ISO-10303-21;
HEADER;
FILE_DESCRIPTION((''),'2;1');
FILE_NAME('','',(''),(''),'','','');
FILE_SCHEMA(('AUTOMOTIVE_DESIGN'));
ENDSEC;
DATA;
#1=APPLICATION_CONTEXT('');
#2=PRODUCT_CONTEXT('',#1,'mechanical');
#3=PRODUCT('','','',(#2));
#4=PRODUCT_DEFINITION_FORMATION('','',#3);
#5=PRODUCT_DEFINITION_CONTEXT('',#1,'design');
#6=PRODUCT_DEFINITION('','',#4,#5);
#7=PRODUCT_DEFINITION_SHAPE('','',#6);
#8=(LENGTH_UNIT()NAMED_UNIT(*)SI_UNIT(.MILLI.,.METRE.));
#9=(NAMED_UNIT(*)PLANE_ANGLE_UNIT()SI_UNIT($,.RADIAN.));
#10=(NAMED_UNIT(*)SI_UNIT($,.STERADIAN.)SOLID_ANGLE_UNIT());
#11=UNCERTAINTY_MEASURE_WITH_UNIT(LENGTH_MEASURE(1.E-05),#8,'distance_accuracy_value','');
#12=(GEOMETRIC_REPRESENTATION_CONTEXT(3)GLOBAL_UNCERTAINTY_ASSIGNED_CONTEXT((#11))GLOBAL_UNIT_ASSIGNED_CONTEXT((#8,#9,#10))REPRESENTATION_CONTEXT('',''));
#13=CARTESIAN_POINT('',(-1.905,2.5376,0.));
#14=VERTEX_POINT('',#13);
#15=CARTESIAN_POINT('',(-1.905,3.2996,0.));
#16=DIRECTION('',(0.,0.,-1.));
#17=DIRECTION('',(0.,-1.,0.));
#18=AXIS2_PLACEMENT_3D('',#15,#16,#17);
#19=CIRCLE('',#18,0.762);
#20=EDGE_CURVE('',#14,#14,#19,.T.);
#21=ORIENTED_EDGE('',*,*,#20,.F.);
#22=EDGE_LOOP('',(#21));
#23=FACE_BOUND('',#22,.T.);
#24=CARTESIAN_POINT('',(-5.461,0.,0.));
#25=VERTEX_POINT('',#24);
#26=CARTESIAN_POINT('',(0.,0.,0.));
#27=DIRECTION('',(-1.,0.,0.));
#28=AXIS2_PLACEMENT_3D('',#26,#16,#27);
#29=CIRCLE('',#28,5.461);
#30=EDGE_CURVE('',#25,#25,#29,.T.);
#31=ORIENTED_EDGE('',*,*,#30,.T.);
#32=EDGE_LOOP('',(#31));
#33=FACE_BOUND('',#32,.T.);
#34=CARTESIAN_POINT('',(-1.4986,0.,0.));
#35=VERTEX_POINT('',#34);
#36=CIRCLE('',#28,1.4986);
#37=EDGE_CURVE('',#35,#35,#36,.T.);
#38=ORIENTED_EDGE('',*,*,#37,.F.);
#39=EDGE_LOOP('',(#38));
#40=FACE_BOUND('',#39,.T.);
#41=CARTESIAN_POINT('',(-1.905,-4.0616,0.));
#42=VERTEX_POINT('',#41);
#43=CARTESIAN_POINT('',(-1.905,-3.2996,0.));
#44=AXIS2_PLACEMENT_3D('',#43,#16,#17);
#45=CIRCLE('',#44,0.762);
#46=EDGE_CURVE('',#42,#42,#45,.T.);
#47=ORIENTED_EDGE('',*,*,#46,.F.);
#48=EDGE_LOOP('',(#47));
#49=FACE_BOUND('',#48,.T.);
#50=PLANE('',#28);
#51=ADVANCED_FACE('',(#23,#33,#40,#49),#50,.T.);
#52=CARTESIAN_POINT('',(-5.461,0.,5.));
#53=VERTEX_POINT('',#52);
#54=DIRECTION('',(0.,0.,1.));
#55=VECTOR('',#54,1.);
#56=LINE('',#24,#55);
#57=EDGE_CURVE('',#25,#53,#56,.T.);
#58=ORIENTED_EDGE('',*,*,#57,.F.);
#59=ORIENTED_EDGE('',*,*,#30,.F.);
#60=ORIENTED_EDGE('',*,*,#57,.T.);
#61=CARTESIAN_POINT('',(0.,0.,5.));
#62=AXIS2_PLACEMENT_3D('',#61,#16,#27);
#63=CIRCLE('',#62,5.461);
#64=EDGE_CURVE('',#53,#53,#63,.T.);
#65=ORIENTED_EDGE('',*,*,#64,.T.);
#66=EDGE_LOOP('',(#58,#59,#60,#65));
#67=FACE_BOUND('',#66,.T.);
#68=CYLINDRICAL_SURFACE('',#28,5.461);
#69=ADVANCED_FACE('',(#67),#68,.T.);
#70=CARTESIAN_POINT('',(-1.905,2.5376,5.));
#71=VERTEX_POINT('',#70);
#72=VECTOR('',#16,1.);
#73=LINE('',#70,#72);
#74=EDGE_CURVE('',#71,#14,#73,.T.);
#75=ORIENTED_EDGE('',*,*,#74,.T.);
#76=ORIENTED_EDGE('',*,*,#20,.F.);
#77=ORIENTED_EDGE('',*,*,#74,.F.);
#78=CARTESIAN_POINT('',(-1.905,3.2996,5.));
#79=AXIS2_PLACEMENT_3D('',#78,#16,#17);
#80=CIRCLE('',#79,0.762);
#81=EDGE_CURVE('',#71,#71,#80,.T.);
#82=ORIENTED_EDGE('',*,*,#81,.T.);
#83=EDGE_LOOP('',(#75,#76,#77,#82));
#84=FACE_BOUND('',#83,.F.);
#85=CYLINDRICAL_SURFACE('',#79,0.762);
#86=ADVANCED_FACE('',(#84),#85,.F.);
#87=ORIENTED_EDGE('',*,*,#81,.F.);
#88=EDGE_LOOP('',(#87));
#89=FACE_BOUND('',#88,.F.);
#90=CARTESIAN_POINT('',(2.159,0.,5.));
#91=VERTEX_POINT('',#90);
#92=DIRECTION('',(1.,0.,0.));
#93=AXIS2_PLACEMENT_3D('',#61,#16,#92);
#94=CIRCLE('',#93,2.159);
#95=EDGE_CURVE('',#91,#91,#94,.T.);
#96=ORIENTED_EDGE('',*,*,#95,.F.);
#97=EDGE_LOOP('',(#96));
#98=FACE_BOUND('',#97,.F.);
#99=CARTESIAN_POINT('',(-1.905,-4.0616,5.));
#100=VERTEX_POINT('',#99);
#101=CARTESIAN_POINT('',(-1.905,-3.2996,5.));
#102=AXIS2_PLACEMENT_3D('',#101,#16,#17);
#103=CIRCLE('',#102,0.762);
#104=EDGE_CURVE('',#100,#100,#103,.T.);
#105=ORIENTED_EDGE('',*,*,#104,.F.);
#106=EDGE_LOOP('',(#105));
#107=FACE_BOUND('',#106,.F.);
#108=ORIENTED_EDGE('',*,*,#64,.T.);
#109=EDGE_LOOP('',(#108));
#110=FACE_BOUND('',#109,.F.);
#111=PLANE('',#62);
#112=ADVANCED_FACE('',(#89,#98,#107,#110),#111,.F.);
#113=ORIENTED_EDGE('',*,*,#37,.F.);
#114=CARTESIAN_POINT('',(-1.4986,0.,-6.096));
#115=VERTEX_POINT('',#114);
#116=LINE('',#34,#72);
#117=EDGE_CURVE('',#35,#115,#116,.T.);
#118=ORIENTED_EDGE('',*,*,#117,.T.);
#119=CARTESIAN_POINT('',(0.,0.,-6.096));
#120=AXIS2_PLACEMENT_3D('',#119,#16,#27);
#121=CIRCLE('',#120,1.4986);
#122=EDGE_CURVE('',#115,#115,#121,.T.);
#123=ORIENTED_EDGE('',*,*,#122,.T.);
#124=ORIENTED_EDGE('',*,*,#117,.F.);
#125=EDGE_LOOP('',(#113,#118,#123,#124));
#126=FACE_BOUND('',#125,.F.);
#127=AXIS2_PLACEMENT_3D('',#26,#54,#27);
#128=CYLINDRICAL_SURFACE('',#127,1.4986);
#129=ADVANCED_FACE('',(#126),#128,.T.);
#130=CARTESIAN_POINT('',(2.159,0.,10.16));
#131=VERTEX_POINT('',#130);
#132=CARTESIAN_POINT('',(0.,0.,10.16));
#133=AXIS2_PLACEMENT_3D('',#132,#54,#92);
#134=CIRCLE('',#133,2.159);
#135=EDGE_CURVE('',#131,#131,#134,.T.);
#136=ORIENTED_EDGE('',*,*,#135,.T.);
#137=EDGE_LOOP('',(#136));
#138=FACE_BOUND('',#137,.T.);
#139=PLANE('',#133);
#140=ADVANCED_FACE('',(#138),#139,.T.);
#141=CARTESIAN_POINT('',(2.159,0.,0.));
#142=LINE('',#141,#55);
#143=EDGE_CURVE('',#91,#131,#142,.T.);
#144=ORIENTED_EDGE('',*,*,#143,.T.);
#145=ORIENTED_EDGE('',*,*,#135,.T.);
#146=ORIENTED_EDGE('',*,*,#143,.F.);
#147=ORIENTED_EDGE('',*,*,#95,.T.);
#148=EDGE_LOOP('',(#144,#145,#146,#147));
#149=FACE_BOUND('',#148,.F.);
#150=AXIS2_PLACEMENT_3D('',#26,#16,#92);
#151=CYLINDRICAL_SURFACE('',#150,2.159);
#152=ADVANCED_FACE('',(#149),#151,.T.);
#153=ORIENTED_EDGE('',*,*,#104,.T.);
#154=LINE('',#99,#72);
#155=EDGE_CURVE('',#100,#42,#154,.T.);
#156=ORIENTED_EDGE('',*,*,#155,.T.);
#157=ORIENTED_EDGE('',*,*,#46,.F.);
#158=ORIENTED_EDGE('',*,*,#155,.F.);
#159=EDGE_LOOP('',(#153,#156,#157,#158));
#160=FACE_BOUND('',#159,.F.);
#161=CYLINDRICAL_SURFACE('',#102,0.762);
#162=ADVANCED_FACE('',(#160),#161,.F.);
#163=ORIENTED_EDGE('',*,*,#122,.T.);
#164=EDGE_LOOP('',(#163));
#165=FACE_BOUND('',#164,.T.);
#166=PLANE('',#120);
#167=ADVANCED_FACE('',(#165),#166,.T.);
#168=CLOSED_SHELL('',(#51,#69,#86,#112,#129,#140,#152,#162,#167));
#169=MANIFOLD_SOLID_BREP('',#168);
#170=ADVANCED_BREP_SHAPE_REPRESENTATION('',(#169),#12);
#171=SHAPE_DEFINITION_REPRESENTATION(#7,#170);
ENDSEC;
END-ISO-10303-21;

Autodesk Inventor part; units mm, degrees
ref_plane "YZ Plane" through (0, 0, 0) normal (1, 0, 0) x (0, 1, 0)
ref_plane "XZ Plane" through (0, 0, 0) normal (0, 1, 0) x (-1, 0, 0)
ref_plane "XY Plane" through (0, 0, 0) normal (0, 0, 1) x (1, 0, 0)
sketch "Sketch1" plane through (0, 0, 0) normal (0, 0, 1) x (1, 0, 0)
  circle A0 centre (0, 0) radius 2.159
  dimension "d0" = 4.318
extrude "Extrusion1" add sketch "Sketch1" along normal blind 10.16
sketch "Sketch2" plane through (0, 0, 0) normal (0, 0, -1) x (-1, 0, 0)
  circle A0 centre (0, 0) radius 2.159 projected
  circle A1 centre (0, 0) radius 1.4986
  dimension "d3" = 2.9972
extrude "Extrusion2" add sketch "Sketch2" along normal blind 6.096 contours A1
sketch "Sketch3" plane through (0, 0, 0) normal (0, 0, -1) x (-1, 0, 0)
  circle A0 centre (0, 0) radius 2.159 projected
  circle A1 centre (0, 0) radius 5.461
  dimension "d6" = 10.922
extrude "Extrusion3" add sketch "Sketch3" against normal blind 5
sketch "Sketch4" plane through (0, 0, 5) normal (0, 0, 1) x (1, 0, 0)
  circle A0 centre (0, 0) radius 2.159 projected
  line L0 (-7.6454, 0) -> (7.6454, 0) projected
  point P0 (3.81, 0)
  point P1 (-1.905, 3.2996)
  point P2 (-1.905, -3.2996)
  dimension "d9" = 3.81
  dimension "d12" = 360
hole "Hole1" at (-1.905, 3.2996, 5) at (-1.905, -3.2996, 5) direction (0, 0, -1) diameter 1.524 end through all
properties part number "Post"
